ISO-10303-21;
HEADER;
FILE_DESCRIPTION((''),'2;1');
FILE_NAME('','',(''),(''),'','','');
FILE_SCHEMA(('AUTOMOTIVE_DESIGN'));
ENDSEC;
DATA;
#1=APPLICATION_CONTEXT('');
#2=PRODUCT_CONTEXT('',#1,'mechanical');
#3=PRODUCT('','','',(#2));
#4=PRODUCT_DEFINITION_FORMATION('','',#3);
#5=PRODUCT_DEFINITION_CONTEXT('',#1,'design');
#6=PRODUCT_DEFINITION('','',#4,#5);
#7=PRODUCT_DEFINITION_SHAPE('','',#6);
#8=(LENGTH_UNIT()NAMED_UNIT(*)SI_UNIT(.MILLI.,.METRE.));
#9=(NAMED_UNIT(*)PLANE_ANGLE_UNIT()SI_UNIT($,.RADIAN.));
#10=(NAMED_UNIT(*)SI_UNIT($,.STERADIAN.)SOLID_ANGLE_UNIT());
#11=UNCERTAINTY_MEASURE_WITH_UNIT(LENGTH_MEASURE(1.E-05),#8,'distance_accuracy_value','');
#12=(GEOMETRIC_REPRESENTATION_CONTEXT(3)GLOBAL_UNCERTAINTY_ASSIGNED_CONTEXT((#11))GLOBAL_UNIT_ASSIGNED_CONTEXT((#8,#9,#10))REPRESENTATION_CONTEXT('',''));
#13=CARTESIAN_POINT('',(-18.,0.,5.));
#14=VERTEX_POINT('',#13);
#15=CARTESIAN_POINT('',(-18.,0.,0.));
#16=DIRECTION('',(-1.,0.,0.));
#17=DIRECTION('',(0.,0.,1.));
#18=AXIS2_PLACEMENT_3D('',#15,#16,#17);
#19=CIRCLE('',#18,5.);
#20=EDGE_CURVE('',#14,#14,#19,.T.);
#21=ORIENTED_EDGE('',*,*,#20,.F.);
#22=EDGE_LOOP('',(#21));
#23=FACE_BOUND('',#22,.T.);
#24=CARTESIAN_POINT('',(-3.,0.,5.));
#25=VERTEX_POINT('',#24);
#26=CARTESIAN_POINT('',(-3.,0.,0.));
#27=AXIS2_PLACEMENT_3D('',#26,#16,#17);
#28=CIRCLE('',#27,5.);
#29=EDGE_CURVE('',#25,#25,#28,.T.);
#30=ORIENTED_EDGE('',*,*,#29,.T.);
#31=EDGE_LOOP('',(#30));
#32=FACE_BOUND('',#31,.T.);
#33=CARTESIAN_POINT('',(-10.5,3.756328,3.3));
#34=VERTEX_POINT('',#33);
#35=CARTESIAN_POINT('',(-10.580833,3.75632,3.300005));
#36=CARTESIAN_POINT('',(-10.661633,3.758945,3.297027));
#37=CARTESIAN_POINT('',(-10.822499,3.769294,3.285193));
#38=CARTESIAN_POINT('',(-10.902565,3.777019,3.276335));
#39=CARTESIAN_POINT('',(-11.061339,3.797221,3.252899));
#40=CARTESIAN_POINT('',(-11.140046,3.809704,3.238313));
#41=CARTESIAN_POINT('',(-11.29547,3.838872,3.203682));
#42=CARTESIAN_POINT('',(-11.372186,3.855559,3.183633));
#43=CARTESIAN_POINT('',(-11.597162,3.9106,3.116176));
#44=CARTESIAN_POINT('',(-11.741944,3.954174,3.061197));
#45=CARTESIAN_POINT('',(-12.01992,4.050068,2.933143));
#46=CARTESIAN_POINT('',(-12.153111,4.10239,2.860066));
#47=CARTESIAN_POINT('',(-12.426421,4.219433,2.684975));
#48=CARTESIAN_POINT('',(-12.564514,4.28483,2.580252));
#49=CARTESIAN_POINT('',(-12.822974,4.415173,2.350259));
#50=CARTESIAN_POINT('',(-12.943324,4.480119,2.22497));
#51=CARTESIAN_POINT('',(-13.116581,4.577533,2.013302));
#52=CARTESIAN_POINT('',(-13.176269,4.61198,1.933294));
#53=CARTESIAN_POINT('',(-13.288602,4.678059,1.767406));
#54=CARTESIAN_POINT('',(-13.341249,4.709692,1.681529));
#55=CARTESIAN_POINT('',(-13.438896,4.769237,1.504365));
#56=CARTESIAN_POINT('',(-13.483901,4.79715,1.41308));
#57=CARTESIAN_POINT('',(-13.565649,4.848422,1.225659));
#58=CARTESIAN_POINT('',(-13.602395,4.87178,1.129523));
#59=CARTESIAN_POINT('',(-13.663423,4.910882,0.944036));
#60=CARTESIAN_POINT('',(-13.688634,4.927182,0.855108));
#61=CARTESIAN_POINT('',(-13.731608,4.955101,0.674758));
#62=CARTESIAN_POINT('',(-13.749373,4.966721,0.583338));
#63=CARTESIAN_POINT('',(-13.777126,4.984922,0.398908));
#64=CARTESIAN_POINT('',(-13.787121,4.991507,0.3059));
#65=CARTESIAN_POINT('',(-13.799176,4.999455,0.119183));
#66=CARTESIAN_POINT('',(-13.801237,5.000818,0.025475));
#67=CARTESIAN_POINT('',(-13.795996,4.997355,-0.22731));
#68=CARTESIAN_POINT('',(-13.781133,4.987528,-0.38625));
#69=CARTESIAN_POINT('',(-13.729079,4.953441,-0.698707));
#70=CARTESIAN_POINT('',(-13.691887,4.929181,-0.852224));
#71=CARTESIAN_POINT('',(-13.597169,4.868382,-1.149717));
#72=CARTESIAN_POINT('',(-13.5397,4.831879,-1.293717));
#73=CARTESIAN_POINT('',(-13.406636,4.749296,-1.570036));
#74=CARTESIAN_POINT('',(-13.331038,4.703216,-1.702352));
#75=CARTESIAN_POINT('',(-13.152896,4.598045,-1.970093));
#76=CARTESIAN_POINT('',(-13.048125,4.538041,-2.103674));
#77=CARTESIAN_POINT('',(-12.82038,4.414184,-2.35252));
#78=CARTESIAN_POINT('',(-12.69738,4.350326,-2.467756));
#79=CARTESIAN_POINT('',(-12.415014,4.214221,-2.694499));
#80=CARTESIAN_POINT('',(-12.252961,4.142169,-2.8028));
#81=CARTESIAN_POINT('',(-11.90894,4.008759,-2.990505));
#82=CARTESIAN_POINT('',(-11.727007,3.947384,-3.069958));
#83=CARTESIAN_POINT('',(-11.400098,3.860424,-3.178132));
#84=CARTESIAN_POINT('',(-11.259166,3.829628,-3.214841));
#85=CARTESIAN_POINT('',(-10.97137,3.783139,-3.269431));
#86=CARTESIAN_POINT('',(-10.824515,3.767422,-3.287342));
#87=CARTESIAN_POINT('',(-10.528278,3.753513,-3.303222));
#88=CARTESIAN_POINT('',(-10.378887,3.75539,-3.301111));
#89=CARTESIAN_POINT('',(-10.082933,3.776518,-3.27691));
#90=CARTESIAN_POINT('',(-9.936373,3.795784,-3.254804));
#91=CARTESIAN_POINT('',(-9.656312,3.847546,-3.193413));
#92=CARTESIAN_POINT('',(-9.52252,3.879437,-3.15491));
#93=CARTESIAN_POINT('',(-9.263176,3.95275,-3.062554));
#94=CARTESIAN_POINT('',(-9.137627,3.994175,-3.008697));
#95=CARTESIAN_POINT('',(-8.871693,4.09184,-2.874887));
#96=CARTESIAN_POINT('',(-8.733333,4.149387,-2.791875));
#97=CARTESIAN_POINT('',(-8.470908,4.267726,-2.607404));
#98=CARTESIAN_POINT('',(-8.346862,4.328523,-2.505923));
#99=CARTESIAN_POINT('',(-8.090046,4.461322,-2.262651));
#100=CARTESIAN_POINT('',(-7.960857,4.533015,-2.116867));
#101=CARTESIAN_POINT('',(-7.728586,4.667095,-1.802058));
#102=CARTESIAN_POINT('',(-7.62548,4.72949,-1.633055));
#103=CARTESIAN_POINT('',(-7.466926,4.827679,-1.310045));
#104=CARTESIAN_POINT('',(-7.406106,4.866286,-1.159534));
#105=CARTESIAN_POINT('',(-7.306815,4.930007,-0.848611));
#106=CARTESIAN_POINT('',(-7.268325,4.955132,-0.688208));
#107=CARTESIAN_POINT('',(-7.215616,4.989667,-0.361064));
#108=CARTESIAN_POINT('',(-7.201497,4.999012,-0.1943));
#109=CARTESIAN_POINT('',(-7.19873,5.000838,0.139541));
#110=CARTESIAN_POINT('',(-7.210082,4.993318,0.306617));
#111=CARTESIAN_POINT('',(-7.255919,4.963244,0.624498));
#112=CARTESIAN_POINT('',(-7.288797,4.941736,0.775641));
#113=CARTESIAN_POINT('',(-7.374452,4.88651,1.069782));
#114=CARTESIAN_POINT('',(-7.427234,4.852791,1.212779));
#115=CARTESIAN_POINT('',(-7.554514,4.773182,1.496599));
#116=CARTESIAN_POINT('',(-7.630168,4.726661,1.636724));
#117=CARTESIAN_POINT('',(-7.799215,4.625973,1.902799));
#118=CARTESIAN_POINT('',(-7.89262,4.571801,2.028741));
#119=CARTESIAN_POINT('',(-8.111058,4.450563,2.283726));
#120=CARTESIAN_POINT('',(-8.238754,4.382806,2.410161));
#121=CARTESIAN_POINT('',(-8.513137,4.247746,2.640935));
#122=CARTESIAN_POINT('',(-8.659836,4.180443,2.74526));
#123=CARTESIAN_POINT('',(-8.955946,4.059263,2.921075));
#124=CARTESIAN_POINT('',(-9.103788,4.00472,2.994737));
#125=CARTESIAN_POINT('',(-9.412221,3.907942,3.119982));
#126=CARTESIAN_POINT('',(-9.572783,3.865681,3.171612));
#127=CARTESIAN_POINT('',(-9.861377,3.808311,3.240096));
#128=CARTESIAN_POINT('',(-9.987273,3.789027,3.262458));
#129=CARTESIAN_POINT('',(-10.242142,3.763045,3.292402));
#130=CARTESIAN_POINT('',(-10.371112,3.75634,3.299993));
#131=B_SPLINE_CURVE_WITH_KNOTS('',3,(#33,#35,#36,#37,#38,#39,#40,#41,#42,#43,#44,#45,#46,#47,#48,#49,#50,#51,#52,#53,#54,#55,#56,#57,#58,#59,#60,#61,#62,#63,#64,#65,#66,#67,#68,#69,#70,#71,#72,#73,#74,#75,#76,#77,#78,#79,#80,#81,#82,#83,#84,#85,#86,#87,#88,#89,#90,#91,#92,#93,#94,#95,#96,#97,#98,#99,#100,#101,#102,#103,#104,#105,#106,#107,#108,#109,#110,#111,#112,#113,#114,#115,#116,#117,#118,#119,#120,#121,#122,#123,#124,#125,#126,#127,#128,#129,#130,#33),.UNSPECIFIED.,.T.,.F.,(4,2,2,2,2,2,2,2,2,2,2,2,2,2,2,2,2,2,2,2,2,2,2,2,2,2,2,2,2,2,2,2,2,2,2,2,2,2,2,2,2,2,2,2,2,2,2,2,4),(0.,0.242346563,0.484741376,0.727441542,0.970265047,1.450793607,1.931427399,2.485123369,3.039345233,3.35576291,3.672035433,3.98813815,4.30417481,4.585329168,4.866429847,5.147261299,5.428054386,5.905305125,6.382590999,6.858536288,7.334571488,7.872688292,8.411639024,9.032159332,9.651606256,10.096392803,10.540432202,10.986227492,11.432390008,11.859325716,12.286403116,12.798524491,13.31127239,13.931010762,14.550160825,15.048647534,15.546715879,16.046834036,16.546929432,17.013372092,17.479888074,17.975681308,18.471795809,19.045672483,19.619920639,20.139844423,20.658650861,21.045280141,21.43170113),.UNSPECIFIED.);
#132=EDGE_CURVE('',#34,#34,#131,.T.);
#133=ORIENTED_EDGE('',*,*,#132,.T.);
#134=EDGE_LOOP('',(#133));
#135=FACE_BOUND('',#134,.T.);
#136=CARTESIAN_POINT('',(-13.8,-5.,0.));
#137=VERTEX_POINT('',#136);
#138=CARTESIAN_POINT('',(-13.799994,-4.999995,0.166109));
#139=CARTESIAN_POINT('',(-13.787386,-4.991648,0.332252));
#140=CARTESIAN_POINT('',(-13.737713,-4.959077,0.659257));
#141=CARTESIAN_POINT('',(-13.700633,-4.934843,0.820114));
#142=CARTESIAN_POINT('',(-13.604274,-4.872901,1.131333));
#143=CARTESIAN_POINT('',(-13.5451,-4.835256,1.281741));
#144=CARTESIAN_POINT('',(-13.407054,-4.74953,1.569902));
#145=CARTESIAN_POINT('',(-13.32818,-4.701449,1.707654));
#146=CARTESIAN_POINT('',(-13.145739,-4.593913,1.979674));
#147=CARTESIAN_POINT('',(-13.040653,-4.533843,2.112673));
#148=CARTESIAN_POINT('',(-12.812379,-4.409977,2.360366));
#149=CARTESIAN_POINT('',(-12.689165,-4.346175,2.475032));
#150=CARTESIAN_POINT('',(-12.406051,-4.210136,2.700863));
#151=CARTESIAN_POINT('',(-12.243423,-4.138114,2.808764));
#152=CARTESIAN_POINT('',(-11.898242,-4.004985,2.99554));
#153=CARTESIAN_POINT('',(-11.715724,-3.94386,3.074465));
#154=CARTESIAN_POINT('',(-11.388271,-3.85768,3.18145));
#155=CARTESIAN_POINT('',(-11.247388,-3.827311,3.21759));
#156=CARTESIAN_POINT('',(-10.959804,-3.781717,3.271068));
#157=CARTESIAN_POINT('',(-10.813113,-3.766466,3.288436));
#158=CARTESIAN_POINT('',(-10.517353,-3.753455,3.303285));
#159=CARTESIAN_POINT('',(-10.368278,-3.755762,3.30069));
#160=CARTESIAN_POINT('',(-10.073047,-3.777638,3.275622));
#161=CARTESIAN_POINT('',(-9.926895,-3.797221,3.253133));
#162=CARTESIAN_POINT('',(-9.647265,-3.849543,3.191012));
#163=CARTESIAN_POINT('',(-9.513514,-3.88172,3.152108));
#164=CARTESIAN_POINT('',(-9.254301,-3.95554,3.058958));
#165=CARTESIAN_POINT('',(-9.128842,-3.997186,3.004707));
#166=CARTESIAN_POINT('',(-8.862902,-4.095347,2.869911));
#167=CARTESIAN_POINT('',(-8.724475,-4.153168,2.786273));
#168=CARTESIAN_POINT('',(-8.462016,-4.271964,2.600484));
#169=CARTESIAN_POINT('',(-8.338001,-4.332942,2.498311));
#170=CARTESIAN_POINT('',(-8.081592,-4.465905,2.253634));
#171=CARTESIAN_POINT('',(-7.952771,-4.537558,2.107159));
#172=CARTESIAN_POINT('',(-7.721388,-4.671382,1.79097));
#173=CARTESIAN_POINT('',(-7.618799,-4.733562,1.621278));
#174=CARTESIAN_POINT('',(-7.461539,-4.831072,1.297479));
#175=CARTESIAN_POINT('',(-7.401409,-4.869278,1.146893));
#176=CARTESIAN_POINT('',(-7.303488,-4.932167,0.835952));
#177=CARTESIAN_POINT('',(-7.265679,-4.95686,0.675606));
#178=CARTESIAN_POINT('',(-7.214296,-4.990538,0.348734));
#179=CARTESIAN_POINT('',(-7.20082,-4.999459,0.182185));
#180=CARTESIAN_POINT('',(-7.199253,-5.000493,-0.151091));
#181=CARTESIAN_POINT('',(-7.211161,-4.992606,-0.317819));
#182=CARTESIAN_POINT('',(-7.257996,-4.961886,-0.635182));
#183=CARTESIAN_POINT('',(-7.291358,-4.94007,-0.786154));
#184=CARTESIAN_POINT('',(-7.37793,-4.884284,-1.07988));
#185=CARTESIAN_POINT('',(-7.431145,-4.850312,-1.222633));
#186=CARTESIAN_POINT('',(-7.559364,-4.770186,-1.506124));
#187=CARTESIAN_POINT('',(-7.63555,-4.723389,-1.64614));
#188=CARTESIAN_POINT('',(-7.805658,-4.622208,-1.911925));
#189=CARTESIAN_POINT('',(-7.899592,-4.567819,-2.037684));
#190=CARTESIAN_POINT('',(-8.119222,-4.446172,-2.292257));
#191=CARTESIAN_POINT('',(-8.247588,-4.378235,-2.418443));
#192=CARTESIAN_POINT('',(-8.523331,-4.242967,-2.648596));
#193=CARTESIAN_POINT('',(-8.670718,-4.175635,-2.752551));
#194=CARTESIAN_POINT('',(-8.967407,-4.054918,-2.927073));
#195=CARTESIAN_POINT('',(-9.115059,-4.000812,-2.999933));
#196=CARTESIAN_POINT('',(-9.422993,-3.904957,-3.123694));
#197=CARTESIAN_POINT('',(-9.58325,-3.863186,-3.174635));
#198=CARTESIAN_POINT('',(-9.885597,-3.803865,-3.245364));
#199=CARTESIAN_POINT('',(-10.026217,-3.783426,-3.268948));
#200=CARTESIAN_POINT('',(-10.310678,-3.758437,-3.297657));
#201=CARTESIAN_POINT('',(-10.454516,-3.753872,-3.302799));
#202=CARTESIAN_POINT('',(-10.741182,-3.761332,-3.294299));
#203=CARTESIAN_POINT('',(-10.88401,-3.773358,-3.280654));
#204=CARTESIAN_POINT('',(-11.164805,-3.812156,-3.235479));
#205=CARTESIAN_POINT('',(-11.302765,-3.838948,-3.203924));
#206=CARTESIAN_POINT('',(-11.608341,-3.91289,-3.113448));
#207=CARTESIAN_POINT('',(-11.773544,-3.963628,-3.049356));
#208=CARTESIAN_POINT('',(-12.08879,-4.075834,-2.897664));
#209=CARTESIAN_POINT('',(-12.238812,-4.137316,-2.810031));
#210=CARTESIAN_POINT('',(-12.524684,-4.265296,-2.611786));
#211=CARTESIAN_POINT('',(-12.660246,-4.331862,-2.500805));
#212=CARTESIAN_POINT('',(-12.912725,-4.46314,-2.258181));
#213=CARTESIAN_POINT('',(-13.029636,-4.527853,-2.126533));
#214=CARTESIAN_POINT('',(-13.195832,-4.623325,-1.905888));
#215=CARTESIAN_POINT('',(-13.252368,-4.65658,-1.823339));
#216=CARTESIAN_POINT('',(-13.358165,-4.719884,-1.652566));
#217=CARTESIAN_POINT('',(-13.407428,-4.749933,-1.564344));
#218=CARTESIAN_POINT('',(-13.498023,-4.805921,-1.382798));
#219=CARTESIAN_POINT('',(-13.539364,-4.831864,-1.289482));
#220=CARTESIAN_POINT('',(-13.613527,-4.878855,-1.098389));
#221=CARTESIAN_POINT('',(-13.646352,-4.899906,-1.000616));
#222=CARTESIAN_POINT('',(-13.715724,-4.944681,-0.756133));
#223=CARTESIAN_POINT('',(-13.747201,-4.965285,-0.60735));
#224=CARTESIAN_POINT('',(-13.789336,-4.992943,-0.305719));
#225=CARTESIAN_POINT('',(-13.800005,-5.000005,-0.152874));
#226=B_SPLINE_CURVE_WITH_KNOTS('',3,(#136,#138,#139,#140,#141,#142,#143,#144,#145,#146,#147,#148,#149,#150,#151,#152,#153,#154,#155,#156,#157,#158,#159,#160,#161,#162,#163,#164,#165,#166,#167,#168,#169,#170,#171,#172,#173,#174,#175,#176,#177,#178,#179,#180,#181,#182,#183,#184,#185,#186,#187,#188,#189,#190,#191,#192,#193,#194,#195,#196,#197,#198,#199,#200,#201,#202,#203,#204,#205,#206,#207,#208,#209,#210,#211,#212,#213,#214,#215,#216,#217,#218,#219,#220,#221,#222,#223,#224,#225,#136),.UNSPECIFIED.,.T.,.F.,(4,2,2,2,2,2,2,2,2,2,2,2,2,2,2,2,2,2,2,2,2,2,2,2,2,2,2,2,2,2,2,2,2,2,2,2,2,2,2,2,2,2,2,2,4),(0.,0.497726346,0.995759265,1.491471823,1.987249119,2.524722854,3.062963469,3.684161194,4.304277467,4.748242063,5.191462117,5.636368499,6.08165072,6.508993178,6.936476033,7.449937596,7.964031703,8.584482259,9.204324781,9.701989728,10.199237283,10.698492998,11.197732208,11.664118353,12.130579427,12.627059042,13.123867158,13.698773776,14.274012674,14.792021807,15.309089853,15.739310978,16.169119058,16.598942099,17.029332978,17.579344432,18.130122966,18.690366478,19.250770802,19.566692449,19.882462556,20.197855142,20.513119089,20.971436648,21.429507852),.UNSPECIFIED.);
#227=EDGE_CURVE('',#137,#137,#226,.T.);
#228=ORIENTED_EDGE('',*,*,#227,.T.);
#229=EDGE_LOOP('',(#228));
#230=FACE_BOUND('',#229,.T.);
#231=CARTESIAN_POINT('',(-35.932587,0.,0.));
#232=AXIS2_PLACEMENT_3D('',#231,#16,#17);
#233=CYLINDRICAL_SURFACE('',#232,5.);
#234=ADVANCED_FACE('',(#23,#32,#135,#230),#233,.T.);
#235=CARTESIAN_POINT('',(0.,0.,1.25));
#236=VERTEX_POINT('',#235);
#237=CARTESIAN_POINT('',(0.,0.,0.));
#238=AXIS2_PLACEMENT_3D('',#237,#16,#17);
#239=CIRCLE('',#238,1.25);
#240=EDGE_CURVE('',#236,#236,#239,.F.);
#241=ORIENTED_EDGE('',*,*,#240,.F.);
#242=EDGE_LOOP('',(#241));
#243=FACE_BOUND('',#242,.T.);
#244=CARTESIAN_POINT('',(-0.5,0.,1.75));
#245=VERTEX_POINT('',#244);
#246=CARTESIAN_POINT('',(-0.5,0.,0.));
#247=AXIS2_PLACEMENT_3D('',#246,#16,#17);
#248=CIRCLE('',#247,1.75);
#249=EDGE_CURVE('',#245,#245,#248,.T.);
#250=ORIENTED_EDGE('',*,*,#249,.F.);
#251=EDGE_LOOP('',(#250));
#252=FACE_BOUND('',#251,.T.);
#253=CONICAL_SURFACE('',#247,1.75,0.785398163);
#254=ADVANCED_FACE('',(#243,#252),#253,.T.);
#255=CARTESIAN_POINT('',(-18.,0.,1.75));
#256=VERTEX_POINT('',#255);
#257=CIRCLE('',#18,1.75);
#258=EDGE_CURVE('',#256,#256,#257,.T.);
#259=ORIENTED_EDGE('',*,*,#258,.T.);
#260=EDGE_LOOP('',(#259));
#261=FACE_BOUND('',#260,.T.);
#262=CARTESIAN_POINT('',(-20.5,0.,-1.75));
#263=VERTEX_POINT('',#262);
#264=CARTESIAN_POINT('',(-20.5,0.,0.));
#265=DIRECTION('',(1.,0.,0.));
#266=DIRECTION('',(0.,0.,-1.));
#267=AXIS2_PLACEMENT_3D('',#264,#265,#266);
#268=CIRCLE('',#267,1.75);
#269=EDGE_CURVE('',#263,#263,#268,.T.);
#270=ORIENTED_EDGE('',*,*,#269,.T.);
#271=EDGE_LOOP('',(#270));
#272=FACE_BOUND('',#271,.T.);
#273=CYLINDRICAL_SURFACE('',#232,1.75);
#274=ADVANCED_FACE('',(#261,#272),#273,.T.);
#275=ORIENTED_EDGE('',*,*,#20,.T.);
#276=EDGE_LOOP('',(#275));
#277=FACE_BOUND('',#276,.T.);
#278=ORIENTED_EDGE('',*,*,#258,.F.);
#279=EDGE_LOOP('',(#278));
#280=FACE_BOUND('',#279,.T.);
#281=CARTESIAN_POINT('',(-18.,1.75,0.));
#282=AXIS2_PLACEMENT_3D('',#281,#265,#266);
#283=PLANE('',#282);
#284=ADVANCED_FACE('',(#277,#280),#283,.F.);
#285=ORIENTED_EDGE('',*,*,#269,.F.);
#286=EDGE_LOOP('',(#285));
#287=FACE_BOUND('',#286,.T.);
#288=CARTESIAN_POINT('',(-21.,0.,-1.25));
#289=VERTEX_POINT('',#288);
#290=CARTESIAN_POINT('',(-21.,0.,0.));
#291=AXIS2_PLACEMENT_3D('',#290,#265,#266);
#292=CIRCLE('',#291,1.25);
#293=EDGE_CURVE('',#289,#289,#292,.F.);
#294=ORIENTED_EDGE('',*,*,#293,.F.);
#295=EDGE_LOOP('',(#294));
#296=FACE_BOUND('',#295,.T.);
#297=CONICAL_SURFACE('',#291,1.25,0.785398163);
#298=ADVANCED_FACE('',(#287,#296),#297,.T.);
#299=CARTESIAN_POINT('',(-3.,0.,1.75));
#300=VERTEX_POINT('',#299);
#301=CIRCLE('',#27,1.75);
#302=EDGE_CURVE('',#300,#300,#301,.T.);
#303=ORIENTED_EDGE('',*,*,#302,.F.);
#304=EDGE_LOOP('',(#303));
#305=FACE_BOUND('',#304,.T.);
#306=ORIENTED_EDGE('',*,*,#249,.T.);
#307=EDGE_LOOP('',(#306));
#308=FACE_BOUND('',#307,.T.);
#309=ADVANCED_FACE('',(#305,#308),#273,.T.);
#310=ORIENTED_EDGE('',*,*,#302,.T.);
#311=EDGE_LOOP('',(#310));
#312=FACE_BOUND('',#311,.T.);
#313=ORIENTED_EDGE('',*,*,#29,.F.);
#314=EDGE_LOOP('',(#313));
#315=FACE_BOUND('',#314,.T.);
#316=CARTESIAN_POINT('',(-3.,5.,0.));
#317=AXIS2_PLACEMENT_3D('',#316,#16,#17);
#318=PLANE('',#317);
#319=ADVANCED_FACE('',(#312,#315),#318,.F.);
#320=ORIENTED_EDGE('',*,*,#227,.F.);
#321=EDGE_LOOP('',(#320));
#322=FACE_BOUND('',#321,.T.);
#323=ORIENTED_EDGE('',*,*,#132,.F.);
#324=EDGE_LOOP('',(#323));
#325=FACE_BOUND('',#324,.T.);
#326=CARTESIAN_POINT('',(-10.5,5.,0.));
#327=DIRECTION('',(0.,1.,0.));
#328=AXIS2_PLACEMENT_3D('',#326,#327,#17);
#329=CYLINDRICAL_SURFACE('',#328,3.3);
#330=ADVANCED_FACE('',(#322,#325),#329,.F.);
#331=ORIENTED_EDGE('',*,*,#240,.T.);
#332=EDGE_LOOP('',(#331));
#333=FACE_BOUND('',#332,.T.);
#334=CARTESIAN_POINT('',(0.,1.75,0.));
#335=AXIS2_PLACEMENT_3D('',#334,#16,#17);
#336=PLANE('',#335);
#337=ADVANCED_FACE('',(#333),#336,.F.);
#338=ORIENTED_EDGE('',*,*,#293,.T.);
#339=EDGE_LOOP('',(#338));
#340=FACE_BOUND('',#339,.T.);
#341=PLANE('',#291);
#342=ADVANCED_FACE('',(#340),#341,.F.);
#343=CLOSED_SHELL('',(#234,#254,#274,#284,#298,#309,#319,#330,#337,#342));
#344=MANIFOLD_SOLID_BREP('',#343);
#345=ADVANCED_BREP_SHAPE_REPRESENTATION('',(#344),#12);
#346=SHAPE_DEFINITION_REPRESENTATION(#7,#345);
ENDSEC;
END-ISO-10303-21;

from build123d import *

# Parameters (mm, degrees)
SMUSSO1_SIZE         = 0.5
FORO_PER_VITE_M6_2_D = 6.6


with BuildPart() as part:
    # Schizzo1 → Rivoluzione1 (revolve)
    with BuildSketch(Plane.XY, mode=Mode.PRIVATE) as rivoluzione1_sk:
        Polygon((-21, 0), (-21, 1.75), (-18, 1.75), (-18, 5), (-3, 5), (-3, 1.75), (0, 1.75), (0, 0), align=None)
    revolve(rivoluzione1_sk.sketch.rotate(Axis((-35.932586733, 0, 0), (1, 0, 0)), 90), axis=Axis((-35.932586733, 0, 0), (1, 0, 0)))

    # Smusso1
    smusso1_edges = [part.edges().sort_by_distance(p)[0] for p in [
        (0, 0, -1.75),
        (-21, 0, -1.75),
    ]]
    chamfer(smusso1_edges, length=SMUSSO1_SIZE)

    # Foro per Vite M6-2 (through all)
    with Locations(Plane(origin=(-10.5, 5, 0), x_dir=(0, 0, 1), z_dir=(0, 1, 0))):
        with Locations((0, 0)):
            Hole(FORO_PER_VITE_M6_2_D / 2)


solid = part.part
